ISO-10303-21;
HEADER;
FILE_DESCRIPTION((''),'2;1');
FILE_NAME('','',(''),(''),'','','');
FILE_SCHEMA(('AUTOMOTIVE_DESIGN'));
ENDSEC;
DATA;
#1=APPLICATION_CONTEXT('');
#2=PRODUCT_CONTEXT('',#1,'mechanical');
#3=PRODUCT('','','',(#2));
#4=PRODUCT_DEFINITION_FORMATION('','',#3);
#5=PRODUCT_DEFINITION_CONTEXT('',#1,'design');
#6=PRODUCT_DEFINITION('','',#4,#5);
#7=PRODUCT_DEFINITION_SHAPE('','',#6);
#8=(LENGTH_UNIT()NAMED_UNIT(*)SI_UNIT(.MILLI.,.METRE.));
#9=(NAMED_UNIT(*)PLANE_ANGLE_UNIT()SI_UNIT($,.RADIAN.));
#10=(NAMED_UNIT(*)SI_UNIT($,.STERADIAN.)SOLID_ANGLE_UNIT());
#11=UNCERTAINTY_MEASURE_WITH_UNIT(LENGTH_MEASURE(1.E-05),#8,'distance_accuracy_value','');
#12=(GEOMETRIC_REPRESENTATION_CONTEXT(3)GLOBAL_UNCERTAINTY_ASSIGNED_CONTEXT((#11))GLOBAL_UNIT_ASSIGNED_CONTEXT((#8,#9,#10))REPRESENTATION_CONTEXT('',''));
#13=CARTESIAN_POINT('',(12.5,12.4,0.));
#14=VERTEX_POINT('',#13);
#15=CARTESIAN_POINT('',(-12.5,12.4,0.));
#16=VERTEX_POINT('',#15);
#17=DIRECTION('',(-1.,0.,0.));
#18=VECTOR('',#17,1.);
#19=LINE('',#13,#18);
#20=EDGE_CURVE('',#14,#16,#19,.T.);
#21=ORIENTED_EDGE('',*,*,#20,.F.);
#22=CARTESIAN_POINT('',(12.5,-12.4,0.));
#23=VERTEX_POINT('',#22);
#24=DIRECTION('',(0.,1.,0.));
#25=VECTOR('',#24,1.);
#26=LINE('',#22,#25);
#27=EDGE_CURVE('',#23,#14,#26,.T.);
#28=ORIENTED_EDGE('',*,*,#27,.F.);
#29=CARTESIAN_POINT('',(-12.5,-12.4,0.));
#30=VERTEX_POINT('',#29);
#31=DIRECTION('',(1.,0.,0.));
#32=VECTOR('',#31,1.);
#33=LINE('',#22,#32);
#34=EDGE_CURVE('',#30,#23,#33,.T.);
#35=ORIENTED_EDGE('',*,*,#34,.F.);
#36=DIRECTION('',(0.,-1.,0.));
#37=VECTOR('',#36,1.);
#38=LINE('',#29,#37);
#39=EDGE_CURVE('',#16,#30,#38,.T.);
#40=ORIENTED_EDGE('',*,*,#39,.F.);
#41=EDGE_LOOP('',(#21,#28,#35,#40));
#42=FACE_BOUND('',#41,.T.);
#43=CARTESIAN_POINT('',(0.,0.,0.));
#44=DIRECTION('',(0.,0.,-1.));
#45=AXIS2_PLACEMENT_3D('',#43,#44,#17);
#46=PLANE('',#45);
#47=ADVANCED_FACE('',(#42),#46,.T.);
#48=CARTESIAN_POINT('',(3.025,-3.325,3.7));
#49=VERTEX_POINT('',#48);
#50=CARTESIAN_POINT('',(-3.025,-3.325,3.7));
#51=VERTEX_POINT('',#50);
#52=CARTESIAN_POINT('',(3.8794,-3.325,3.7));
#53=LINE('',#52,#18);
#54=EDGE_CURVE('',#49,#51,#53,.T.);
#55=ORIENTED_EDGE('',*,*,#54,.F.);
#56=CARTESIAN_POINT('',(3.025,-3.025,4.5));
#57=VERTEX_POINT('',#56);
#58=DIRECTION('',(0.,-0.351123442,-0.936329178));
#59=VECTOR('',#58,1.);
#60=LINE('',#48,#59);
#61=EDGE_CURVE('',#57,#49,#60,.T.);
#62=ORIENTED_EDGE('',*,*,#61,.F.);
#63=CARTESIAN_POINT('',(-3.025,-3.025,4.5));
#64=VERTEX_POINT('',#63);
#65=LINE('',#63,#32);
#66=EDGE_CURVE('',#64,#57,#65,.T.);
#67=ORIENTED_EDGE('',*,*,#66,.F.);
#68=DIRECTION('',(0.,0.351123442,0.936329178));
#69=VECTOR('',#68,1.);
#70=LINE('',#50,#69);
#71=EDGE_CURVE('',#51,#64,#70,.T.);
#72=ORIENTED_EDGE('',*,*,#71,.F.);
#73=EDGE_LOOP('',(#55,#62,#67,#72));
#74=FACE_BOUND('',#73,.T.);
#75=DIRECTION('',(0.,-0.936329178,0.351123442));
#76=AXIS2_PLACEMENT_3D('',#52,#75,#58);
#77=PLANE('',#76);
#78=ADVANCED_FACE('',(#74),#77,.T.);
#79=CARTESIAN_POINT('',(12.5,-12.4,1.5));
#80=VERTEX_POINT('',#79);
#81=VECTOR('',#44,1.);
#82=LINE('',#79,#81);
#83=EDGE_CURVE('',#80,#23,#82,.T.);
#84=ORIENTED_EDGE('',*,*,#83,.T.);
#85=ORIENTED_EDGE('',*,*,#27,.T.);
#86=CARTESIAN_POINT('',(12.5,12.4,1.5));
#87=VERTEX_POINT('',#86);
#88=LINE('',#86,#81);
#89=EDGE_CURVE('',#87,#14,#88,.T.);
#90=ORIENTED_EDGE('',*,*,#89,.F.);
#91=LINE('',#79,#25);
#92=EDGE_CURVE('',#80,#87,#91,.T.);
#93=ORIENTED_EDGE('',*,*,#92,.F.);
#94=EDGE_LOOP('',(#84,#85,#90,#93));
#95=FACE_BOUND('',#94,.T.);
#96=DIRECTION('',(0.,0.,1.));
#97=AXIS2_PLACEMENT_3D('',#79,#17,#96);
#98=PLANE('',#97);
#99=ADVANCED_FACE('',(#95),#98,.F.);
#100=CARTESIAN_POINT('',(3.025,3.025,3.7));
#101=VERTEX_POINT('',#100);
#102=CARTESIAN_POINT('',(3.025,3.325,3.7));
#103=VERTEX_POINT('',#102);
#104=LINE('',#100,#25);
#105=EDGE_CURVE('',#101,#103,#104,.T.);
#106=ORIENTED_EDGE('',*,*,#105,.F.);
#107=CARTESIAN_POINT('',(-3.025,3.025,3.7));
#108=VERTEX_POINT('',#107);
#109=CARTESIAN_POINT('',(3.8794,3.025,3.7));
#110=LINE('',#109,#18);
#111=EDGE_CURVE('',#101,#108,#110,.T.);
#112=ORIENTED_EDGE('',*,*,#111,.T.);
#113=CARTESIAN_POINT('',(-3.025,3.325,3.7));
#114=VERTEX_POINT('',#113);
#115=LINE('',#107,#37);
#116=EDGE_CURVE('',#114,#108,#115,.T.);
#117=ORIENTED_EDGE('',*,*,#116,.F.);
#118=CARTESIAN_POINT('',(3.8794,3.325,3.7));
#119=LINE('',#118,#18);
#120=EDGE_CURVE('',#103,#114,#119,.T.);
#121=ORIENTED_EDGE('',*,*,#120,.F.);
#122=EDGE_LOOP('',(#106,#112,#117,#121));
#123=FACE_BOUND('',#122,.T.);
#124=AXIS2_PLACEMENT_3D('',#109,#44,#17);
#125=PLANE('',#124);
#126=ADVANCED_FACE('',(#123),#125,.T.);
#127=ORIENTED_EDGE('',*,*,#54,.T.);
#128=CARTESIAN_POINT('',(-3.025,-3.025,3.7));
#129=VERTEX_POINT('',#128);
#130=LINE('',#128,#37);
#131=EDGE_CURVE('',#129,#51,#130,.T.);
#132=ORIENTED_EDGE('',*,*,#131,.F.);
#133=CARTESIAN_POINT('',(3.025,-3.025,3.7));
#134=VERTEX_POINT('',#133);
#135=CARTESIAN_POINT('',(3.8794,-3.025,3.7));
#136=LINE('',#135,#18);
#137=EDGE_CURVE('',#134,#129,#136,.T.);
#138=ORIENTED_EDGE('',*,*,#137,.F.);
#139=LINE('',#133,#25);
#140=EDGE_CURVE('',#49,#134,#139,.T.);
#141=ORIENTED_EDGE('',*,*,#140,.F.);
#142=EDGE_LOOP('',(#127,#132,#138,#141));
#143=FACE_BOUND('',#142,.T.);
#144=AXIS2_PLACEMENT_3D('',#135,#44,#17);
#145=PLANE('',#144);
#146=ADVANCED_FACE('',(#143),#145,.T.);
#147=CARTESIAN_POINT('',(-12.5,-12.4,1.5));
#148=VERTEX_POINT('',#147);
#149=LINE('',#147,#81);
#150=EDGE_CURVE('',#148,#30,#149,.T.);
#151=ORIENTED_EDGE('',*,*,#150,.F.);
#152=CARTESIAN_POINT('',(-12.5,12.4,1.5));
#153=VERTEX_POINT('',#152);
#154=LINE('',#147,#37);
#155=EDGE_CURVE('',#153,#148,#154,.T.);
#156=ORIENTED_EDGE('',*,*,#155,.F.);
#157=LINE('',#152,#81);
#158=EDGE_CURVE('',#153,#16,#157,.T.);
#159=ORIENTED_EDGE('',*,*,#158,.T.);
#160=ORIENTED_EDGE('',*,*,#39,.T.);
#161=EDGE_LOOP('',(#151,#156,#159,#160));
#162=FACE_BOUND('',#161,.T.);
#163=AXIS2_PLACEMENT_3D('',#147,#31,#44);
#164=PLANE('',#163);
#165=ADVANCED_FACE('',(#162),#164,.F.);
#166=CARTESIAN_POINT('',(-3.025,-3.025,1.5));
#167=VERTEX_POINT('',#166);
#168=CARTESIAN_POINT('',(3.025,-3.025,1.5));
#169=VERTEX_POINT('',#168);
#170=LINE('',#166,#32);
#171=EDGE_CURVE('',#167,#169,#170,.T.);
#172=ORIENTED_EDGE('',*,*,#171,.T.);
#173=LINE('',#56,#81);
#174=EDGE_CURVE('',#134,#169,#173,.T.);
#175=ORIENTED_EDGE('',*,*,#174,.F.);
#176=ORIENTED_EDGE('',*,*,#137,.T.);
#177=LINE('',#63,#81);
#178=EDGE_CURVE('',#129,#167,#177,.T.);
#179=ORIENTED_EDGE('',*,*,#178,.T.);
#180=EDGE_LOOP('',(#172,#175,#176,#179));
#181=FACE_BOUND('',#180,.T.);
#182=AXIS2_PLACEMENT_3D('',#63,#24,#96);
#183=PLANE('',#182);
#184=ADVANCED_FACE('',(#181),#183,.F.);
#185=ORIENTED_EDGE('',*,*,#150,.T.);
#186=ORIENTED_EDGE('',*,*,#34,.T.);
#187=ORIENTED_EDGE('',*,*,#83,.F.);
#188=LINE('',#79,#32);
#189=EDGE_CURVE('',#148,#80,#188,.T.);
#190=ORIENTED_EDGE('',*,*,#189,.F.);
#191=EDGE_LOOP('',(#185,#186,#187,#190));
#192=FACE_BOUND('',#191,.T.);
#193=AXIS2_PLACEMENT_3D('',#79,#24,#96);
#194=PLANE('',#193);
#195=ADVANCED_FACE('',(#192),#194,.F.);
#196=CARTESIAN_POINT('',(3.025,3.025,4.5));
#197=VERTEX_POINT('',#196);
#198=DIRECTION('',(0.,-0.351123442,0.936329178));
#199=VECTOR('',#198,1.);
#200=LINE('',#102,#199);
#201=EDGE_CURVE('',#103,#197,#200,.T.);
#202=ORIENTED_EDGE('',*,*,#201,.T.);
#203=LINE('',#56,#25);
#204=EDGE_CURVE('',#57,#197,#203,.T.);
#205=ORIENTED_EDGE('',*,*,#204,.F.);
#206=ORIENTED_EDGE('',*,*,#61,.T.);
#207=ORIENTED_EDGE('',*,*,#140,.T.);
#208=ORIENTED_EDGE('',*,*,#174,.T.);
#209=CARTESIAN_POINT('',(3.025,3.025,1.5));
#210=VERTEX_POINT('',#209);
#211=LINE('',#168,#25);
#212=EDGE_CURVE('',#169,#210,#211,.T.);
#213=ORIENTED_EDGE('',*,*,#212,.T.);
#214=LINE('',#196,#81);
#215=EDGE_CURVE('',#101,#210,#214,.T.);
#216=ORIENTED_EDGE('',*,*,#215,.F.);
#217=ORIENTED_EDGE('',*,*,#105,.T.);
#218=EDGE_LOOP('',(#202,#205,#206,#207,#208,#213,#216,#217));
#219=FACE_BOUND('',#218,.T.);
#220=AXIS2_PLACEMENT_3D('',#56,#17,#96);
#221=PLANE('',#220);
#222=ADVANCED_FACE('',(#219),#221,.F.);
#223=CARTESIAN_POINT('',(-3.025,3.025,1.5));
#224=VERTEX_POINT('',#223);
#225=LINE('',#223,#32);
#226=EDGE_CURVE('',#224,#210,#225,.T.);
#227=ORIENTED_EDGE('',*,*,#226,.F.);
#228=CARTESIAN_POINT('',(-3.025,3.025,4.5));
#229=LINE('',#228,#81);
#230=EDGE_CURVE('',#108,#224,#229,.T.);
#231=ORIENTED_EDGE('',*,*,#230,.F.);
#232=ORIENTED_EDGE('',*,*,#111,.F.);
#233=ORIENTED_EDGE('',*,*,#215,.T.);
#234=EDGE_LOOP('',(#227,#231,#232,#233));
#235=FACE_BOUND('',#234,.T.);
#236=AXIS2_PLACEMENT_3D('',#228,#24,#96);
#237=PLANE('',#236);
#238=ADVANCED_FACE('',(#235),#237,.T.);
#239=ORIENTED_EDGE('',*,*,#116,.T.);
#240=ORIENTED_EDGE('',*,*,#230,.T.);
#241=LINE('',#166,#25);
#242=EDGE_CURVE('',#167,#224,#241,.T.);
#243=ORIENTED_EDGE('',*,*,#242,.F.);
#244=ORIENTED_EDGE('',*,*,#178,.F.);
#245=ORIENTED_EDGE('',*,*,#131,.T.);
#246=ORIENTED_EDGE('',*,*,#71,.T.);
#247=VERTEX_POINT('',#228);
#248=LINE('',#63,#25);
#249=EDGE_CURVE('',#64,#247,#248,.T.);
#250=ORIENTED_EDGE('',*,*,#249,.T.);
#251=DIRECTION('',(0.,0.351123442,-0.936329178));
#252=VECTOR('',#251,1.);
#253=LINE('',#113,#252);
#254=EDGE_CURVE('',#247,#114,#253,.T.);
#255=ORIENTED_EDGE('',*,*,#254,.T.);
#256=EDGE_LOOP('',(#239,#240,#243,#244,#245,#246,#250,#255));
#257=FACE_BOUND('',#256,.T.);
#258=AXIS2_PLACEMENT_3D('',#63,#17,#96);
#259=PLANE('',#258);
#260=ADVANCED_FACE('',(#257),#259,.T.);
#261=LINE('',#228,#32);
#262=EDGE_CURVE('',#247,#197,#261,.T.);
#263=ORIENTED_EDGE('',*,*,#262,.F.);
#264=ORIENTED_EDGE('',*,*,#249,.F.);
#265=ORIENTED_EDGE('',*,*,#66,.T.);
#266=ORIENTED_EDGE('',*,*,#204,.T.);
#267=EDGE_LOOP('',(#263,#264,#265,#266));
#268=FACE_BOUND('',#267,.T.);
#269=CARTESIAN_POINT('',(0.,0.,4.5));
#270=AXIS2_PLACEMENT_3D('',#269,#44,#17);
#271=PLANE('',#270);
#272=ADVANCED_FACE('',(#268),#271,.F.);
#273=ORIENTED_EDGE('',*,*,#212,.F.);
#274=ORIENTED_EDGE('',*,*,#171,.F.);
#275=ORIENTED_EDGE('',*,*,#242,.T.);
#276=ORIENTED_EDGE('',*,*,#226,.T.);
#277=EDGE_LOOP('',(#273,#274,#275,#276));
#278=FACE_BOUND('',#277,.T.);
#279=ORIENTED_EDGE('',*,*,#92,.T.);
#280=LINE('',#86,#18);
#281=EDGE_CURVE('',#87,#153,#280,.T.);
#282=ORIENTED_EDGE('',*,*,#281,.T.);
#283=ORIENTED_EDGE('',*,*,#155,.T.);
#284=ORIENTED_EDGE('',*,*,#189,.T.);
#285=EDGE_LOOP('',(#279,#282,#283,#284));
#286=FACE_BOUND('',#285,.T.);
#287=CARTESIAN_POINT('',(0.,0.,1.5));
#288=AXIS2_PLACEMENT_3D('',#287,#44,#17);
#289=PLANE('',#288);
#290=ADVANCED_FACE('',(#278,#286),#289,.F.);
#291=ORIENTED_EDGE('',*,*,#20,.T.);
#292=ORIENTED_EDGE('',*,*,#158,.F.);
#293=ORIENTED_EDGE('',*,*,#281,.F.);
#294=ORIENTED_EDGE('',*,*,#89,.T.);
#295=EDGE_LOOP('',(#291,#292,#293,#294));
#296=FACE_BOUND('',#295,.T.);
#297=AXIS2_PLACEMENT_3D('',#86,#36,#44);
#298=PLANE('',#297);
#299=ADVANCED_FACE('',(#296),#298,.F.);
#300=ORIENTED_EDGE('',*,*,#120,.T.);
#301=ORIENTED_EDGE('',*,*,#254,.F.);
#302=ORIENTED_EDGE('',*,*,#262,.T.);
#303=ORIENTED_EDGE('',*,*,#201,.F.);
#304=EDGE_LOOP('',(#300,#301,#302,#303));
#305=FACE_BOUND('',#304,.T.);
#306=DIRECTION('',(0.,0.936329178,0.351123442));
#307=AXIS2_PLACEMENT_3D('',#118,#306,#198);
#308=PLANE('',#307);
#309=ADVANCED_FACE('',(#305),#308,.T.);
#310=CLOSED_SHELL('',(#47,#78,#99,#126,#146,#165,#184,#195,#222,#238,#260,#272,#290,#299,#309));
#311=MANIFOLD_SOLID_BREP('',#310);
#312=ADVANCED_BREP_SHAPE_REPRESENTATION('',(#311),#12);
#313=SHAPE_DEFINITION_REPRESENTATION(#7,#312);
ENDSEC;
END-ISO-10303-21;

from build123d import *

# Parameters (mm, degrees)
SKETCH2_W           = 24.8
SKETCH2_H           = 25
BOSS_EXTRUDE1_DEPTH = 1.5
SKETCH3_W           = 6.05
SKETCH3_H           = 6.05
BOSS_EXTRUDE2_DEPTH = 3
BOSS_EXTRUDE3_DEPTH = 6.05


with BuildPart() as part:
    # Sketch2 → Boss-Extrude1 (new body)
    with BuildSketch(Plane(origin=(0, 0, 0), x_dir=(0, 1, 0), z_dir=(0, 0, 1))):
        Rectangle(SKETCH2_W, SKETCH2_H)
    extrude(amount=BOSS_EXTRUDE1_DEPTH)

    # Sketch3 → Boss-Extrude2 (add)
    with BuildSketch(Plane.XY.offset(1.5)):
        Rectangle(SKETCH3_W, SKETCH3_H)
    extrude(amount=BOSS_EXTRUDE2_DEPTH)

    # Sketch4 → Boss-Extrude3 (add)
    with BuildSketch(Plane(origin=(-3.025, 0, 0), x_dir=(0, -1, 0), z_dir=(-1, 0, 0))):
        Polygon((-3.025, 4.5), (-3.025, 3.7), (-3.325, 3.7), align=None)
        Polygon((3.325, 3.7), (3.025, 4.5), (3.025, 3.7), align=None)
    extrude(amount=-BOSS_EXTRUDE3_DEPTH)


solid = part.part
